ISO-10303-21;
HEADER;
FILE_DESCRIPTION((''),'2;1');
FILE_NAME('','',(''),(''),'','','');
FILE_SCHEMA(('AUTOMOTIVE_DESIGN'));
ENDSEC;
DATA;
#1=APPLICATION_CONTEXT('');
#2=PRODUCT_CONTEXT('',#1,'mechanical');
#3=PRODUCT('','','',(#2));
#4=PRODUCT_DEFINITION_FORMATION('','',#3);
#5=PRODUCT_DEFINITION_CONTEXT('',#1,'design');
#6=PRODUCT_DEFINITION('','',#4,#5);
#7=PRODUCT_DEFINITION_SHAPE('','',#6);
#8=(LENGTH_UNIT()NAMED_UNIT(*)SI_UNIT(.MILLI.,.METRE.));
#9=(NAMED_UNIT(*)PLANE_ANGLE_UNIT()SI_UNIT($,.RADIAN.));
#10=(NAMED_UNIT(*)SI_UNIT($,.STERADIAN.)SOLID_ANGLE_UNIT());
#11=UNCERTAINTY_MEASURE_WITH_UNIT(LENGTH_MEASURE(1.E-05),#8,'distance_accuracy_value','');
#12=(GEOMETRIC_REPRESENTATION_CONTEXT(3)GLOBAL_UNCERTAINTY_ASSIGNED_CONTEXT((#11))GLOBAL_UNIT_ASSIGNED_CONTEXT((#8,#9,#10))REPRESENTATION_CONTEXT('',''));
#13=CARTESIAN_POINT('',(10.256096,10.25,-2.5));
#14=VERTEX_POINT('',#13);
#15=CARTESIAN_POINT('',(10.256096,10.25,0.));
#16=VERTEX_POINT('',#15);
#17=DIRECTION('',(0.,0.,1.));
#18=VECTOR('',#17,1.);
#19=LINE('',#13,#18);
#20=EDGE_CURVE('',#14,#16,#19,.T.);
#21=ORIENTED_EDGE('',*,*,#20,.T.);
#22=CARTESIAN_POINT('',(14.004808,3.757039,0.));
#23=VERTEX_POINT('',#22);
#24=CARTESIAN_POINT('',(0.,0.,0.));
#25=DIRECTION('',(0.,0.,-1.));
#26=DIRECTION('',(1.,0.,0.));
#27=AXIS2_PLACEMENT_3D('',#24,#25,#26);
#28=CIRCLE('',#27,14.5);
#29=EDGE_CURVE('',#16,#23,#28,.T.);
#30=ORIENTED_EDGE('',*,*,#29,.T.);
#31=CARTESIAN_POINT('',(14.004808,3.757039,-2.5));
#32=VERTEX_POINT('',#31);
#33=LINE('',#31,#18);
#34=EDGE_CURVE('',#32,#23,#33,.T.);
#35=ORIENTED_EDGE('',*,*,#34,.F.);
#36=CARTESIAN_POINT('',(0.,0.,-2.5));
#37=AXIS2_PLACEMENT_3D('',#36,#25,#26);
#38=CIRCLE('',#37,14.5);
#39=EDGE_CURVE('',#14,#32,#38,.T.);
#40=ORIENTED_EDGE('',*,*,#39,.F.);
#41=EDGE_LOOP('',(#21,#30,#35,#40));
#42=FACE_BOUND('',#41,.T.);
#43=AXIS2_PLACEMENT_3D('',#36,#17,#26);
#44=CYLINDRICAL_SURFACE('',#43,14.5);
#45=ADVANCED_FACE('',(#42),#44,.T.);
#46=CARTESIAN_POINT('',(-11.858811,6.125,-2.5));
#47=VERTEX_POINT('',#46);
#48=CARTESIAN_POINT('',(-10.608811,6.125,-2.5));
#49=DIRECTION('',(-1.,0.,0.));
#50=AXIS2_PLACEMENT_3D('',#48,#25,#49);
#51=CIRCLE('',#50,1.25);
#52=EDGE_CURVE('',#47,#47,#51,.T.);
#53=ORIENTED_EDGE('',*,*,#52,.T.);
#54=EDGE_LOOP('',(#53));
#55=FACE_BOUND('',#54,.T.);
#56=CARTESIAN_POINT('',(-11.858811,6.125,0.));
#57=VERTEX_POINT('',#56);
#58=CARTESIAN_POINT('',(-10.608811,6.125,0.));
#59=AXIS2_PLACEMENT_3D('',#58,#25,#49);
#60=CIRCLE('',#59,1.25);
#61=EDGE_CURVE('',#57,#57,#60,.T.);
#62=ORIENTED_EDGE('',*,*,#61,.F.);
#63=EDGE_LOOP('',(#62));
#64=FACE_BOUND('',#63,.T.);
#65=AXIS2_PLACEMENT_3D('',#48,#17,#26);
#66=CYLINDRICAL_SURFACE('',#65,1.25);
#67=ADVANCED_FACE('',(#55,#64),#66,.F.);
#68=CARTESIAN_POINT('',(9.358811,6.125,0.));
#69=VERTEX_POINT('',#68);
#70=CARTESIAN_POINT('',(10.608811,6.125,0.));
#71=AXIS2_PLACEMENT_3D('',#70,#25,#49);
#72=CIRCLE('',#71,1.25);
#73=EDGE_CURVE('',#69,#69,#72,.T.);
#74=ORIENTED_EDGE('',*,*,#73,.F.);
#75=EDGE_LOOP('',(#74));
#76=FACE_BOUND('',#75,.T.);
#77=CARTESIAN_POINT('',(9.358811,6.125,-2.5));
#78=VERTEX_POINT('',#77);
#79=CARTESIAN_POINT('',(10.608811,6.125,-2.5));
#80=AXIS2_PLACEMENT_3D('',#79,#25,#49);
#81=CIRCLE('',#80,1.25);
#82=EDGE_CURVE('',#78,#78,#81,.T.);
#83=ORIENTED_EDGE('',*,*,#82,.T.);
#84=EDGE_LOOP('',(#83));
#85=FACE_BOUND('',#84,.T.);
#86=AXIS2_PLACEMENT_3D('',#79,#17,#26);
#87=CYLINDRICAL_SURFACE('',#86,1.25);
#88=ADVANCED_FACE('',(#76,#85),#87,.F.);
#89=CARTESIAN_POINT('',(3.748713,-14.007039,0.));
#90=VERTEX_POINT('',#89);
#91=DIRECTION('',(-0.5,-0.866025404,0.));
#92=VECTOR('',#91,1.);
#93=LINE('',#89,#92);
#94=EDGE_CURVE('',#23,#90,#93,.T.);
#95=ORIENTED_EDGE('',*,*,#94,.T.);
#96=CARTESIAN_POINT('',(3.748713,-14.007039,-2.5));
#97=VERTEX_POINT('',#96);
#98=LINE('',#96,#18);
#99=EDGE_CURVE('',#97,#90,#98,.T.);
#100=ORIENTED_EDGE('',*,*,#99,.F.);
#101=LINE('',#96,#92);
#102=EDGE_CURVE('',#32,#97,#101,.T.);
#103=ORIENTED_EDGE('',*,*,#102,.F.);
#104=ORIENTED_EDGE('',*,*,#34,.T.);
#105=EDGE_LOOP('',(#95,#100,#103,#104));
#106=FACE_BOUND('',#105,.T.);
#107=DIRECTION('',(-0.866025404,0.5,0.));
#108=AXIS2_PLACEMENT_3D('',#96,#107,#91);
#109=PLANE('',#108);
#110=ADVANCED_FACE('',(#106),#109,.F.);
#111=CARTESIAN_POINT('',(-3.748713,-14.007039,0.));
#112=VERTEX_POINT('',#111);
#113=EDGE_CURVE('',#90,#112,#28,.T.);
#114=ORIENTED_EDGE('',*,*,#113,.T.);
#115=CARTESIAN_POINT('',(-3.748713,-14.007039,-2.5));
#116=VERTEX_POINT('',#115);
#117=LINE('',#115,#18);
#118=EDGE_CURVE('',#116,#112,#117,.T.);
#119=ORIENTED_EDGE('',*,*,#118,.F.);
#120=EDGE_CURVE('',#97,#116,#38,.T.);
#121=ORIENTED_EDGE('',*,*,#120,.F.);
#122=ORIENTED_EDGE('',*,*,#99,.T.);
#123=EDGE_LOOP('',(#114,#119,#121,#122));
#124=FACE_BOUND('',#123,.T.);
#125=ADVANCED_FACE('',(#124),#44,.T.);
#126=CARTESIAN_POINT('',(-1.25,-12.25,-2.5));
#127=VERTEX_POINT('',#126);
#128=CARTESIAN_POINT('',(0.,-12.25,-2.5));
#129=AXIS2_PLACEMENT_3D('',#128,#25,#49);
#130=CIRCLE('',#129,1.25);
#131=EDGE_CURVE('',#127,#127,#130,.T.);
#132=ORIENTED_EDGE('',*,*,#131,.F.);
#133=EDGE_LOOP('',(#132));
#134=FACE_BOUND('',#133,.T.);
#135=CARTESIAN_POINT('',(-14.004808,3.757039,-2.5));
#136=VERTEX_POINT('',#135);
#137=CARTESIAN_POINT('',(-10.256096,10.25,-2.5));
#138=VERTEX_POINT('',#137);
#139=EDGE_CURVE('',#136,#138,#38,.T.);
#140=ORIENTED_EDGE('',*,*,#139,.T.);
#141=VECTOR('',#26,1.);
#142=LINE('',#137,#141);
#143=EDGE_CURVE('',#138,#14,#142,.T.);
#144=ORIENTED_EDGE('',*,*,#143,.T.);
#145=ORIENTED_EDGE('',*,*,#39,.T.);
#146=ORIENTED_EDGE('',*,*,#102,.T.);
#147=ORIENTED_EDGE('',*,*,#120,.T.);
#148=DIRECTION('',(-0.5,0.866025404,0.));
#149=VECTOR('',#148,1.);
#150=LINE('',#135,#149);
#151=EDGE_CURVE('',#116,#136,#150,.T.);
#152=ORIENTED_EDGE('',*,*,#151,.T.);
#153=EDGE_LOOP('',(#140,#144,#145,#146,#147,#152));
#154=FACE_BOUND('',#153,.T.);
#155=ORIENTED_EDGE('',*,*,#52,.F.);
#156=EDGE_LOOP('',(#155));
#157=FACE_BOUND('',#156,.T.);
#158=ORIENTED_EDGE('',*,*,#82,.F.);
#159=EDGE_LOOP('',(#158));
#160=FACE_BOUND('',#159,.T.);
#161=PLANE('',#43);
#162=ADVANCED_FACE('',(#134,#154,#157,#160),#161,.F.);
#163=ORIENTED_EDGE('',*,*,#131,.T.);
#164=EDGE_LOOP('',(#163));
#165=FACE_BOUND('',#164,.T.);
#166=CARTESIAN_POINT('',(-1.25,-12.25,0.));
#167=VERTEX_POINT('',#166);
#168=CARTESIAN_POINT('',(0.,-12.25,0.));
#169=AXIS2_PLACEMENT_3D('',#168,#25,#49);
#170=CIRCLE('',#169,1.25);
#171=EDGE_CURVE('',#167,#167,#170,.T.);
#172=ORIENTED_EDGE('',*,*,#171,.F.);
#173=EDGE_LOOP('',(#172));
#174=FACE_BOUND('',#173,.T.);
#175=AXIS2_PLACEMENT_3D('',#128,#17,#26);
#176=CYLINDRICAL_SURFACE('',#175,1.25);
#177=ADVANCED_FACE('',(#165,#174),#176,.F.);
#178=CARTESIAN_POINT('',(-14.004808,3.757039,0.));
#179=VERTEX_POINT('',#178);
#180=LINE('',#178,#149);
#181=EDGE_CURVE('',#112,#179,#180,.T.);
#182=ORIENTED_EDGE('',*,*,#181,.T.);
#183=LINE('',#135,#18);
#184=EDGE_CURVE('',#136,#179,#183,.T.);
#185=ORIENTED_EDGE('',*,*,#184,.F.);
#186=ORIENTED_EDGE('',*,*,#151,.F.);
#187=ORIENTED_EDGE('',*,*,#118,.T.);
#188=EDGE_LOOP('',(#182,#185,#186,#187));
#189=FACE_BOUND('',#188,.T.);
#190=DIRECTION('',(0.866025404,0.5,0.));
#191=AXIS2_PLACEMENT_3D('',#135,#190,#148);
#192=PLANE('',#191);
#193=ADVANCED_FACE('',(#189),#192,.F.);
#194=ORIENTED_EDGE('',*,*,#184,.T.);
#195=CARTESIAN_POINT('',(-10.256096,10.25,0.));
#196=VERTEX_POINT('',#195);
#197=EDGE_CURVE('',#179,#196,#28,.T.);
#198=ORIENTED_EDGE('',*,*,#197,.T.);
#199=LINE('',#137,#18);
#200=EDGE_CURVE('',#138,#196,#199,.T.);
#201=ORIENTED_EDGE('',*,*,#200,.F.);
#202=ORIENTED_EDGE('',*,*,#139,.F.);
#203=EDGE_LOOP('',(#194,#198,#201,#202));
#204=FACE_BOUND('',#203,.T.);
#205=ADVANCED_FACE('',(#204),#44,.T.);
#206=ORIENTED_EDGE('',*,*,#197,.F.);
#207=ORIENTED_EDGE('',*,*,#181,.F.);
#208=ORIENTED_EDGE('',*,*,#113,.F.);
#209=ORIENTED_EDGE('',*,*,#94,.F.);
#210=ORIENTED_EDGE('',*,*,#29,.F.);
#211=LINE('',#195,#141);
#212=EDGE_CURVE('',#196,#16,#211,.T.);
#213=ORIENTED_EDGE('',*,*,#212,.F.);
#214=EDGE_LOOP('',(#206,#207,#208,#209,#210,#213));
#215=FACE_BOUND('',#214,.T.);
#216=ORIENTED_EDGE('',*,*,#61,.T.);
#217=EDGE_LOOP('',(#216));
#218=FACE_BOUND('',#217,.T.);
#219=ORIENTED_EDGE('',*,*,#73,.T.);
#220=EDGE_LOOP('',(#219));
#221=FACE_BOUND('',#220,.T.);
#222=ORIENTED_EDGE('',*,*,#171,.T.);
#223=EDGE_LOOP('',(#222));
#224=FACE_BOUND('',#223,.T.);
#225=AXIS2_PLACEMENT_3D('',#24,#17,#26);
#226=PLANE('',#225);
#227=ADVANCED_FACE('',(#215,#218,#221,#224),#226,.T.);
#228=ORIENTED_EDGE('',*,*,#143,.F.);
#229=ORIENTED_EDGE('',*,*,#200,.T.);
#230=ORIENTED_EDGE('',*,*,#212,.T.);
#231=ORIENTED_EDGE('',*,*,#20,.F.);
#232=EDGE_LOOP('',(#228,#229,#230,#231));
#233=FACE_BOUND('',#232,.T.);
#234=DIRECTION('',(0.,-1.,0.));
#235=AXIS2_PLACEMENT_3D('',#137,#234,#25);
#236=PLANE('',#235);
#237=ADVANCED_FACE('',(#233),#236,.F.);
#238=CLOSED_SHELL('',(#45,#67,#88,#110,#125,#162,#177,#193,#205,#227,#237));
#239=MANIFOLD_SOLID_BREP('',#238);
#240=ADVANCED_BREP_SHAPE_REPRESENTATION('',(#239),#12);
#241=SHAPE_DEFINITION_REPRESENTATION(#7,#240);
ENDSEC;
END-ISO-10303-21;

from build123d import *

# Parameters (mm, degrees)
SKETCH_1_R      = 1.25
EXTRUDE_1_DEPTH = 2.5


with BuildPart() as part:
    # Эскиз1 → Бобышка-Вытянуть1 (new body)
    with BuildSketch(Plane(origin=(0, 0, 0), x_dir=(1, 0, 0), z_dir=(0, 0, -1))):
        with BuildLine():
            Line((-10.256095748, -10.25), (10.256095748, -10.25))
            ThreePointArc((10.256095748, -10.25), (12.557368355, -7.25), (14.004808263, -3.757039462))
            Line((14.004808263, -3.757039462), (3.748712515, 14.007039462))
            ThreePointArc((3.748712515, 14.007039462), (0, 14.5), (-3.748712515, 14.007039462))
            Line((-3.748712515, 14.007039462), (-14.004808263, -3.757039462))
            ThreePointArc((-14.004808263, -3.757039462), (-12.557368355, -7.25), (-10.256095748, -10.25))
        make_face()
        with Locations(Location((0, 12.25, 0), (0, 0, 180))):
            Circle(SKETCH_1_R, mode=Mode.SUBTRACT)
        with Locations(Location((10.608811196, -6.125, 0), (0, 0, 180))):
            Circle(SKETCH_1_R, mode=Mode.SUBTRACT)
        with Locations(Location((-10.608811196, -6.125, 0), (0, 0, 180))):
            Circle(SKETCH_1_R, mode=Mode.SUBTRACT)
    extrude(amount=EXTRUDE_1_DEPTH)


solid = part.part
